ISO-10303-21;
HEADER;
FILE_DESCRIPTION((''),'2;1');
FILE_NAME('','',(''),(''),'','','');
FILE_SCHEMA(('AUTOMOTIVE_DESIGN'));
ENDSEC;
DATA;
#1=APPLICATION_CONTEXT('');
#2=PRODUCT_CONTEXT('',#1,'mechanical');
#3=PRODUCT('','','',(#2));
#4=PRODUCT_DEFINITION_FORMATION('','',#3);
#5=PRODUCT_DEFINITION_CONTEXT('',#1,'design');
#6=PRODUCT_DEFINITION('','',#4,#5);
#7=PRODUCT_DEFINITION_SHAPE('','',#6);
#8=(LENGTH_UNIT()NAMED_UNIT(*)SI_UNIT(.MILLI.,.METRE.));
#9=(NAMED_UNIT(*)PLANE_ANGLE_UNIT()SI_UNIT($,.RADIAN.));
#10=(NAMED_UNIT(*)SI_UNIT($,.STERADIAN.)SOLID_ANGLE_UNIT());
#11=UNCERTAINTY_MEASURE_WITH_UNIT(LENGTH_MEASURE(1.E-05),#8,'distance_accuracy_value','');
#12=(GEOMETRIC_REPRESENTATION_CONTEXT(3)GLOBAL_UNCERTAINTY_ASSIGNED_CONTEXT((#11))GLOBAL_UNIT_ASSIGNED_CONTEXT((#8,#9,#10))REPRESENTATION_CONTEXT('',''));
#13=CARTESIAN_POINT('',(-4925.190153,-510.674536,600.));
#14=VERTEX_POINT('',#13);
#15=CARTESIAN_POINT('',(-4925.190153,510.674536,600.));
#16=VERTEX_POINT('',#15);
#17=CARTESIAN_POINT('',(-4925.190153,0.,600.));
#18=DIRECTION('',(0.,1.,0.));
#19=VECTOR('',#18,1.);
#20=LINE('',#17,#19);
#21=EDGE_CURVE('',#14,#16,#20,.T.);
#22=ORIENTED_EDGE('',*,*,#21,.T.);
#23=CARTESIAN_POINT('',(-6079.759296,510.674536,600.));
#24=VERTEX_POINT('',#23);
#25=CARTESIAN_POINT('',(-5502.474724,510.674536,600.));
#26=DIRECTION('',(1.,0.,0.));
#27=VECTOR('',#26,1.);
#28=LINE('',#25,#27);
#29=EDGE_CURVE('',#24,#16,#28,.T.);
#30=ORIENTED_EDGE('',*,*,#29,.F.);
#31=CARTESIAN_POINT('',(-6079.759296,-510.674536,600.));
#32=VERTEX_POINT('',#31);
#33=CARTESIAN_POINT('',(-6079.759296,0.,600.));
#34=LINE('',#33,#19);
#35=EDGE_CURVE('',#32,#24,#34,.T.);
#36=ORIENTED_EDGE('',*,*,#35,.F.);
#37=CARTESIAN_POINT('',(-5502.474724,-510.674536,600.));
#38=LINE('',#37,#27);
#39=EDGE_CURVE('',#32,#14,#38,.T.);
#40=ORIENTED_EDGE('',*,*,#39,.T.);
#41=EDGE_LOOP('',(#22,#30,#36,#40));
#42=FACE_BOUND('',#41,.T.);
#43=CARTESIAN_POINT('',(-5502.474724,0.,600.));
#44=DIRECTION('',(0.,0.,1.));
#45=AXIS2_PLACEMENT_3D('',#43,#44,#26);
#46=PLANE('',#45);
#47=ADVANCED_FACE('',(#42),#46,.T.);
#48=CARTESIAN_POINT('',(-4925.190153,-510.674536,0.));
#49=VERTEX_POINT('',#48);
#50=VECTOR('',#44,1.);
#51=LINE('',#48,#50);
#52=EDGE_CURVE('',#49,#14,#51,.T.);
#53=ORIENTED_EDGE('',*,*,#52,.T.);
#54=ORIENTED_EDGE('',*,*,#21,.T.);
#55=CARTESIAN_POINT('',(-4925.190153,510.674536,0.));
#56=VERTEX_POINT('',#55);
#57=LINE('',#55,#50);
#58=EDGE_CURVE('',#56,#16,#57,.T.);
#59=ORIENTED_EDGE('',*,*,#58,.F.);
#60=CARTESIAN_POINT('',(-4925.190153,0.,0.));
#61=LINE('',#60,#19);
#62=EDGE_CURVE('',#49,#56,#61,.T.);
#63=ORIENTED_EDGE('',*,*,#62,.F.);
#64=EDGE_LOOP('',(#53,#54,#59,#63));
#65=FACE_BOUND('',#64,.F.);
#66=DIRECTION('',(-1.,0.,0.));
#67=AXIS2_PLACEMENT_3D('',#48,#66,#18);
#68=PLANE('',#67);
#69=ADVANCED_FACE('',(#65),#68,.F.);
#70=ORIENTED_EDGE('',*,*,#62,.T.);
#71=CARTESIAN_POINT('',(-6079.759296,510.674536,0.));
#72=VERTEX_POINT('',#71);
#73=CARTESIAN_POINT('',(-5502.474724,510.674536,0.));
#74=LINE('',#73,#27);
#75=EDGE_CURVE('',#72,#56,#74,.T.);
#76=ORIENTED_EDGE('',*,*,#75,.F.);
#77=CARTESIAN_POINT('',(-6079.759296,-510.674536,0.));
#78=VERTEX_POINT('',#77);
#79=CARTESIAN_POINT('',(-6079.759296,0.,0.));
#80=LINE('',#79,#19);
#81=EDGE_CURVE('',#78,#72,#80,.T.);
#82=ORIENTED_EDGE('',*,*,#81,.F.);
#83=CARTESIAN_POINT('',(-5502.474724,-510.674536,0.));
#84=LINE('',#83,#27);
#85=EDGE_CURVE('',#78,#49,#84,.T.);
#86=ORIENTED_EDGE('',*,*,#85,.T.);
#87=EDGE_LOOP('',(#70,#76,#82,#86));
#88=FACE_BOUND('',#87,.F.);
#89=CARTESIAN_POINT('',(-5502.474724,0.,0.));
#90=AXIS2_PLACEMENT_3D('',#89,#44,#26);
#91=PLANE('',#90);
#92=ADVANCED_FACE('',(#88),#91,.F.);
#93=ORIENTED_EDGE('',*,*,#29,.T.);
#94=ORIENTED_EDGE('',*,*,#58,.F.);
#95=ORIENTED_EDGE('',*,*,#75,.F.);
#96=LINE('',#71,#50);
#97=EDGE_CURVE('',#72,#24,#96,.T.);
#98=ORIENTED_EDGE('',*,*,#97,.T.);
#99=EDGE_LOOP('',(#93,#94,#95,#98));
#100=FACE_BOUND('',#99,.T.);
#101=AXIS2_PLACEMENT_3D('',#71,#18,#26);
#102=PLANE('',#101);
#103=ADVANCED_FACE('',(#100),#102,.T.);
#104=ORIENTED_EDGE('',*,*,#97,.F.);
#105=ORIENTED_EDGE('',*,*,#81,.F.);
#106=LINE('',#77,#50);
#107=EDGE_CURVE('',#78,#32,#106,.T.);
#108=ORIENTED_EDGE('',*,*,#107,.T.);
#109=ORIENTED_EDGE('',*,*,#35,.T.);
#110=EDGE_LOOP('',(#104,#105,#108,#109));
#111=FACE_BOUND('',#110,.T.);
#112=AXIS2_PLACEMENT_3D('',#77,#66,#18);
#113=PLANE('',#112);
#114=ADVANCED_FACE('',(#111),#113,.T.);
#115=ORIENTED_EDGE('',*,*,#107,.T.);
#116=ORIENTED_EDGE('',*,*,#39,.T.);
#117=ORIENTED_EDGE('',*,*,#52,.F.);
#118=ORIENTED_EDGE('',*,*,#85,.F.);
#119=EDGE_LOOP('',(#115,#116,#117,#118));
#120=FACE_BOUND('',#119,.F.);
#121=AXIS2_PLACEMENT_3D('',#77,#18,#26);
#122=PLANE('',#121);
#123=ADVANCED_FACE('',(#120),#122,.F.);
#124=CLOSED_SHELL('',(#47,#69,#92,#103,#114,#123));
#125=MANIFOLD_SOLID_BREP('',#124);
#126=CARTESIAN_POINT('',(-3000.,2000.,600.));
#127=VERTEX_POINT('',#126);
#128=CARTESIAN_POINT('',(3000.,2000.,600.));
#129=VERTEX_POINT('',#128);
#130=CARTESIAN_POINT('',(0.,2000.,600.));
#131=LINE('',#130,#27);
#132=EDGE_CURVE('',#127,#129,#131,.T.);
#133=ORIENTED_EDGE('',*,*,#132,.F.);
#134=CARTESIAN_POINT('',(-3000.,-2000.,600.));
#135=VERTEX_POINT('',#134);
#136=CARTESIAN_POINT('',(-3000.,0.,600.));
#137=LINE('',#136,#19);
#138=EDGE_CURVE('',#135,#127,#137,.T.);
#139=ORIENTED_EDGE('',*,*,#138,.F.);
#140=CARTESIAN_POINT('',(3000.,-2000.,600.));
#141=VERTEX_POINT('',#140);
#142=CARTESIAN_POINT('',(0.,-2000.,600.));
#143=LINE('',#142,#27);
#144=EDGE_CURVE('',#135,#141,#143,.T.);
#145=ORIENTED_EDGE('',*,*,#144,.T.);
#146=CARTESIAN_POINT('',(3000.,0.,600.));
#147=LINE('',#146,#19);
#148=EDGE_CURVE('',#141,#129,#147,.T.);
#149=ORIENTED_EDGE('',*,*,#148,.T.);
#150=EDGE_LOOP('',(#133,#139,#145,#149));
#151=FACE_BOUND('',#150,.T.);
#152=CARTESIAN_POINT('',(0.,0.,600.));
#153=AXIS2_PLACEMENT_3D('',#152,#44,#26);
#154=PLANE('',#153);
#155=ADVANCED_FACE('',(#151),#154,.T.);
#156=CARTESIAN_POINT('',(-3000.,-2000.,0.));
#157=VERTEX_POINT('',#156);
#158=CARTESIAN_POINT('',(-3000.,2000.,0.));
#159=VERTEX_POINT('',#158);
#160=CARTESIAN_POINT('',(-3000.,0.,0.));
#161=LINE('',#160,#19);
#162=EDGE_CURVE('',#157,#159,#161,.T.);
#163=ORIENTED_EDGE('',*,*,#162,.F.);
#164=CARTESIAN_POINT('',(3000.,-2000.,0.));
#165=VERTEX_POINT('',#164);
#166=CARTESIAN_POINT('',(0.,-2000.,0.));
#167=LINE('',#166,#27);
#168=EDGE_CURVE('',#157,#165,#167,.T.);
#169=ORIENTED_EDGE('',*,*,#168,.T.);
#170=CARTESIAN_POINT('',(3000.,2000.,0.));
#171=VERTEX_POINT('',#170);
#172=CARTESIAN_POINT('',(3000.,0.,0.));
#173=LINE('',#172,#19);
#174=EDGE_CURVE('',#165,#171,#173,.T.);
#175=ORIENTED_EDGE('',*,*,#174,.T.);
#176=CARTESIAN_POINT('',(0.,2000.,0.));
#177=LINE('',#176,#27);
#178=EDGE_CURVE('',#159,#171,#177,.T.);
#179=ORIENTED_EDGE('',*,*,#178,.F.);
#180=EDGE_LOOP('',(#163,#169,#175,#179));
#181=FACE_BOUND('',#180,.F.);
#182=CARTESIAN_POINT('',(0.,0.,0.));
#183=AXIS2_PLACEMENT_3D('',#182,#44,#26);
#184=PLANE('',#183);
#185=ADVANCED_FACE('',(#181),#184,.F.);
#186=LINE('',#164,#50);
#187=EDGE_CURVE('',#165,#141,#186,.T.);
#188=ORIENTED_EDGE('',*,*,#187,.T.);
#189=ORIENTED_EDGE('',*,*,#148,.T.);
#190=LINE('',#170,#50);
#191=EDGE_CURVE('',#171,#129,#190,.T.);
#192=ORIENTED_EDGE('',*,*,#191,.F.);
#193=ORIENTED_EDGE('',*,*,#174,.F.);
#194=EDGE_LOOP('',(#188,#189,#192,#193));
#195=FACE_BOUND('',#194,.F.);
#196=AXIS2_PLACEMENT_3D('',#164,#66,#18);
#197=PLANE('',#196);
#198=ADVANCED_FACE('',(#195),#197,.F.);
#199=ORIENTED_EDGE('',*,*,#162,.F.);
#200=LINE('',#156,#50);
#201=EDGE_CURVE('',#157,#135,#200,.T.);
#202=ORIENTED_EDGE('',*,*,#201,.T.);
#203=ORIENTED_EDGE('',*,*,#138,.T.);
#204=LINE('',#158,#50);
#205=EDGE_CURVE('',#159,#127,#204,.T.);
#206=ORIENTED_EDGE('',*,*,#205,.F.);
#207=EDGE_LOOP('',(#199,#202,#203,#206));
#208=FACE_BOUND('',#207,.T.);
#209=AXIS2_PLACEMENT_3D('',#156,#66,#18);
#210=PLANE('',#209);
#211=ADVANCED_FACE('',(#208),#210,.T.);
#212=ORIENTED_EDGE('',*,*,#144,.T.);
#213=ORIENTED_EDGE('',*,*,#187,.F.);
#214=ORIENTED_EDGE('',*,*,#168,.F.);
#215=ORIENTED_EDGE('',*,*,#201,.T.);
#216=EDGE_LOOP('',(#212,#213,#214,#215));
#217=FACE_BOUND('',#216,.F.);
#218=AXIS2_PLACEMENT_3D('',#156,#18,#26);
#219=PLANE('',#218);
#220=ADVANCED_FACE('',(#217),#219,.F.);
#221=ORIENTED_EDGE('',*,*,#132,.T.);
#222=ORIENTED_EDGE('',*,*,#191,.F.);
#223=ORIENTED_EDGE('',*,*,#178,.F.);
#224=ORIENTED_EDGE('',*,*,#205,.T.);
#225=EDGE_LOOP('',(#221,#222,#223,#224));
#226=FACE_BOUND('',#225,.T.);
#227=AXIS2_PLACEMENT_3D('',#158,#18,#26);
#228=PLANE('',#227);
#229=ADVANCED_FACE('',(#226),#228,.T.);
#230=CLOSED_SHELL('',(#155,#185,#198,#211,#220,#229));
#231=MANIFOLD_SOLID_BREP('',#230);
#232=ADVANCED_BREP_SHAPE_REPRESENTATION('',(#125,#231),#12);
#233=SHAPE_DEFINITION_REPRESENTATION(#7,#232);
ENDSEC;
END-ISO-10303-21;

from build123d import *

# Parameters (mm, degrees)
F0_W     = 6000
F0_H     = 4000
F0_W_2   = 1154.569143
F0_H_2   = 1021.349072
F1_DEPTH = 600


with BuildPart() as f1:
    # F0 (on Top) → F1 (new body)
    with BuildSketch(Plane.XY):
        Rectangle(F0_W, F0_H)
        with Locations((-5502.474724, 0)):
            Rectangle(F0_W_2, F0_H_2)
    extrude(amount=F1_DEPTH)


solid = f1.part
